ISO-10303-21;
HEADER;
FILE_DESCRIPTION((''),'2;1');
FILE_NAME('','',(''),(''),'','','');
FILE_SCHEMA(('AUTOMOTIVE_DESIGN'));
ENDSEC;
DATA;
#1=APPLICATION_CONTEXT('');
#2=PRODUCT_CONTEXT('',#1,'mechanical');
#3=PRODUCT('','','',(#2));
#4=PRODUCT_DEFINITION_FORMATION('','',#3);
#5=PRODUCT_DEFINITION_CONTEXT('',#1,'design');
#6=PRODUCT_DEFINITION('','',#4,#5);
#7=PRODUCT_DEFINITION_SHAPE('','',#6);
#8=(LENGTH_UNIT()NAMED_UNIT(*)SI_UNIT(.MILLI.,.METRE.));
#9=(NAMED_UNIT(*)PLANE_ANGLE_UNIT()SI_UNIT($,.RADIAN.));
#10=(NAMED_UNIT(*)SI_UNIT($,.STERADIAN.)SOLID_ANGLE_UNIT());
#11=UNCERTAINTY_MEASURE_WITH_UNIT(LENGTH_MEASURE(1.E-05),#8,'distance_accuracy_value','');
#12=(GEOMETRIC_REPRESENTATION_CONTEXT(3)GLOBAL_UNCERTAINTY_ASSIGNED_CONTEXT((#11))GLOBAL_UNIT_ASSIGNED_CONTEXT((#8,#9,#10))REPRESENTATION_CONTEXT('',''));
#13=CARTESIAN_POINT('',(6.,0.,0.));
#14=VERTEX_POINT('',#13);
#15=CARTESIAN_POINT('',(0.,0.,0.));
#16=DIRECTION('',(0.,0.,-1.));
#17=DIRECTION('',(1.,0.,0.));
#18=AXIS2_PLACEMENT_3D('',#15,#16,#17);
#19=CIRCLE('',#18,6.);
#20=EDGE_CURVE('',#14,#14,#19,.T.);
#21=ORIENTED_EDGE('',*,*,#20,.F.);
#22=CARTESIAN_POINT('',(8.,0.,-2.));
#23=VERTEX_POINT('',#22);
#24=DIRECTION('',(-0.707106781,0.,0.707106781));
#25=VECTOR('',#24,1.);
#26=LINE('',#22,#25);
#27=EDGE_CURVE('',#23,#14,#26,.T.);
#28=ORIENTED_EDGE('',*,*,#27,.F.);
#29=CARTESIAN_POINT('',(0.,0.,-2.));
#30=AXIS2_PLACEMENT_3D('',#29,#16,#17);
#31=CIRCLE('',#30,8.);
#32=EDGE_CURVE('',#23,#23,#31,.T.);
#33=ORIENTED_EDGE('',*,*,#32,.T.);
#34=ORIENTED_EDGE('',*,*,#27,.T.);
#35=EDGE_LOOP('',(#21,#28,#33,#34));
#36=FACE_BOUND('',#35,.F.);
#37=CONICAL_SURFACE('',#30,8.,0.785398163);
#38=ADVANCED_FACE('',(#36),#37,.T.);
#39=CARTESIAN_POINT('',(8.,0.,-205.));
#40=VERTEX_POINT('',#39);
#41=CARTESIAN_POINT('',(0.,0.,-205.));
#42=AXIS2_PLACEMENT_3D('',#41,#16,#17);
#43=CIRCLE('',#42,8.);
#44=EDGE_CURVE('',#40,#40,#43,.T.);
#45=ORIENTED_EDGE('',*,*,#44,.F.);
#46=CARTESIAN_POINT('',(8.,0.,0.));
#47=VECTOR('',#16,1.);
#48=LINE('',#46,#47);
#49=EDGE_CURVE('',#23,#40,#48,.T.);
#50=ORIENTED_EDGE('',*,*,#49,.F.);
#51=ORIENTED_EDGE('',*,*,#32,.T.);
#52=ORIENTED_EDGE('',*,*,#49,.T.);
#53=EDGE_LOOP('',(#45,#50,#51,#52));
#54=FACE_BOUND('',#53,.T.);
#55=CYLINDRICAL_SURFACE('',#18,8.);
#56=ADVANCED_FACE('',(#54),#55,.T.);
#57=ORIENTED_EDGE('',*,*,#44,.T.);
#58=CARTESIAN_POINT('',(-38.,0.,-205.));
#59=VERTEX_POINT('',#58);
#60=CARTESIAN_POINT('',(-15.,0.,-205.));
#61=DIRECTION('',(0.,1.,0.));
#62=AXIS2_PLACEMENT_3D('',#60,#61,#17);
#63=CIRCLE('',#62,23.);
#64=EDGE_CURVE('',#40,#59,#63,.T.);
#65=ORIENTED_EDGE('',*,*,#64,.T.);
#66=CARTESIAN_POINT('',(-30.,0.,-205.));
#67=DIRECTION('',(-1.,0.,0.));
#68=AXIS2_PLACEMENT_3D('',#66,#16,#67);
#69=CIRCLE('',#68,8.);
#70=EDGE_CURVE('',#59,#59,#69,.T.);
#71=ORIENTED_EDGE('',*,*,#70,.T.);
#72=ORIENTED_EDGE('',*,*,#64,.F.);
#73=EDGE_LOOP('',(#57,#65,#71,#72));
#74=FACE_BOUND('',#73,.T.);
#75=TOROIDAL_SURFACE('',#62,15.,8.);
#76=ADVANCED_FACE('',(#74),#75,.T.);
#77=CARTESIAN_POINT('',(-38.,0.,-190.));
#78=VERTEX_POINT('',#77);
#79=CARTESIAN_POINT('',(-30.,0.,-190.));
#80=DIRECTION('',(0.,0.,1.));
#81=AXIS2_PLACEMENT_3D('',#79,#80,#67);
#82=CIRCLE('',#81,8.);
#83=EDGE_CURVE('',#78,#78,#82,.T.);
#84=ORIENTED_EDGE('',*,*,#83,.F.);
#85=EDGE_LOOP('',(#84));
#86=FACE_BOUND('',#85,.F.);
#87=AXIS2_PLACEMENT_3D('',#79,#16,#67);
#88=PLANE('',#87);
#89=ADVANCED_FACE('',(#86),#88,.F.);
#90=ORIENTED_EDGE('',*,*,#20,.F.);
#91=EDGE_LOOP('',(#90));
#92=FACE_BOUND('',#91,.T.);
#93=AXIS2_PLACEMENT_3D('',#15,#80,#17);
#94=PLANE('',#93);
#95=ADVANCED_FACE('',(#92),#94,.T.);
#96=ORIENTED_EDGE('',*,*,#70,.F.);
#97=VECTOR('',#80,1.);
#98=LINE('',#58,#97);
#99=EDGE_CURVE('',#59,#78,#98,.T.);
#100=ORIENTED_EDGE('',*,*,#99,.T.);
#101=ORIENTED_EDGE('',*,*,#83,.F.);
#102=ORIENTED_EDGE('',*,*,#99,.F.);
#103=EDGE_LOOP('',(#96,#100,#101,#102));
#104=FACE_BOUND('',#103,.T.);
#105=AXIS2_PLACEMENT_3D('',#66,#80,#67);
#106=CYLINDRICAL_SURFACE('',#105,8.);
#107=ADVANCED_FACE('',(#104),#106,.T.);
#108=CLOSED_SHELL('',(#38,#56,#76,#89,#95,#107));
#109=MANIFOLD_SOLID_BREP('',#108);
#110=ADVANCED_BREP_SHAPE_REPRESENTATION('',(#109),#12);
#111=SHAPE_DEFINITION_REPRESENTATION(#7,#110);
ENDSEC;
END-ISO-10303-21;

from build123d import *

# Parameters (mm, degrees)
F0_R    = 8
F3_SIZE = 2


with BuildPart() as f2:
    # F2: sweep along a path in F1
    with BuildLine(Plane.XZ) as f2_path:
        Line((0, 0), (0, -205))
        ThreePointArc((0, -205), (-4.3933982822, -215.6066017178), (-15, -220))
        ThreePointArc((-15, -220), (-25.6066017178, -215.6066017178), (-30, -205))
        Line((-30, -205), (-30, -190))
    # F0 (on Top) → F2 (sweep)
    with BuildSketch(Plane.XY):
        Circle(F0_R)
    sweep(path=f2_path.line)

    # F3
    f3_edges = [f2.edges().sort_by_distance(p)[0] for p in [
        (-8, 0, 0),
    ]]
    chamfer(f3_edges, length=F3_SIZE)


solid = f2.part
